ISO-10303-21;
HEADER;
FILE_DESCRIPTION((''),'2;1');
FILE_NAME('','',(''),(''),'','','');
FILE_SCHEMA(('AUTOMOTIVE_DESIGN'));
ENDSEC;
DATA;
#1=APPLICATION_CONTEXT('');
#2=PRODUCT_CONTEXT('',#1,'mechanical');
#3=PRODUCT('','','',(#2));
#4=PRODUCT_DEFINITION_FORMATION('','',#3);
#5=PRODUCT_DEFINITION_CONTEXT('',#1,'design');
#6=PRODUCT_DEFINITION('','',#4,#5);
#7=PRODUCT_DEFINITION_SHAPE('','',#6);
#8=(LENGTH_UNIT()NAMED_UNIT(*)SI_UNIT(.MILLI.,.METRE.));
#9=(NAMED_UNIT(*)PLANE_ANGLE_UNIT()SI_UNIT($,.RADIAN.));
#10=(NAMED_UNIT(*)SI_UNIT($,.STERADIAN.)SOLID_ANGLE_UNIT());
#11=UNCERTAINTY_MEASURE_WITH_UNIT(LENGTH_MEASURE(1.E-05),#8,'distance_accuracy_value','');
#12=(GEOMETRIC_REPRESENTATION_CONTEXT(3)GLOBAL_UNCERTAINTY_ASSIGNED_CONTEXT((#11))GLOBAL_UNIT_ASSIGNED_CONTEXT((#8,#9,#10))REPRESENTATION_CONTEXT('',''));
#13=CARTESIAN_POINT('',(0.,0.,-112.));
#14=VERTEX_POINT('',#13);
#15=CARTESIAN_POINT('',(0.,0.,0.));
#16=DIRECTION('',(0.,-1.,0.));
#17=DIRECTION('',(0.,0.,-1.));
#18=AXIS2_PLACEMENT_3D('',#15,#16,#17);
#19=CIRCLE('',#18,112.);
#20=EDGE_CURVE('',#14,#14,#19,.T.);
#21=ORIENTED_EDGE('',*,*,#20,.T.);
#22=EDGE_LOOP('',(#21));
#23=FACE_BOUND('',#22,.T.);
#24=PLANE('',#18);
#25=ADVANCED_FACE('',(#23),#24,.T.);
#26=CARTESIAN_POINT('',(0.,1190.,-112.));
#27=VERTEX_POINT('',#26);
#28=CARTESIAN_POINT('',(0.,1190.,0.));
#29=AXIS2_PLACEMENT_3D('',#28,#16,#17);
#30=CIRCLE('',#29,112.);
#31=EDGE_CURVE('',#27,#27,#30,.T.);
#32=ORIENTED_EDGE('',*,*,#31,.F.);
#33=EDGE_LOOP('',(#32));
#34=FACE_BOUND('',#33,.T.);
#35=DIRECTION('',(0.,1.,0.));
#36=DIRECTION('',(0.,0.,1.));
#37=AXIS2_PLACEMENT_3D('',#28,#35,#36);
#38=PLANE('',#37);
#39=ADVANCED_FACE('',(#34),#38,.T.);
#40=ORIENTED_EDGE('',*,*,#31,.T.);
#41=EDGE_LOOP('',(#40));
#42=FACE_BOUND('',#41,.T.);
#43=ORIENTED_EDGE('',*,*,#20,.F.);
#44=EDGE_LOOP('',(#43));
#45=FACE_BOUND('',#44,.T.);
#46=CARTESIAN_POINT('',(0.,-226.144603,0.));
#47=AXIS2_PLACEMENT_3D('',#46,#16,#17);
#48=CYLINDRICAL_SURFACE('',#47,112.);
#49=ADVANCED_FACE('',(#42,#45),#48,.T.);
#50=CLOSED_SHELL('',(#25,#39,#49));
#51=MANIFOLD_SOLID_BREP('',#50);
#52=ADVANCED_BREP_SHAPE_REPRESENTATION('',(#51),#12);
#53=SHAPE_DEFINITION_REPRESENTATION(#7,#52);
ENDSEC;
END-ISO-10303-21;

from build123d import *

# Parameters (mm, degrees)
SKETCH1_W = 112
SKETCH1_H = 1190


with BuildPart() as part:
    # Sketch1 → Revolve1 (revolve)
    with BuildSketch(Plane.XY, mode=Mode.PRIVATE) as revolve1_sk:
        with Locations((56, 595)):
            Rectangle(SKETCH1_W, SKETCH1_H)
    revolve(revolve1_sk.sketch.rotate(Axis((0, -226.14460276, 0), (0, 1, 0)), 90), axis=Axis((0, -226.14460276, 0), (0, 1, 0)))


solid = part.part
